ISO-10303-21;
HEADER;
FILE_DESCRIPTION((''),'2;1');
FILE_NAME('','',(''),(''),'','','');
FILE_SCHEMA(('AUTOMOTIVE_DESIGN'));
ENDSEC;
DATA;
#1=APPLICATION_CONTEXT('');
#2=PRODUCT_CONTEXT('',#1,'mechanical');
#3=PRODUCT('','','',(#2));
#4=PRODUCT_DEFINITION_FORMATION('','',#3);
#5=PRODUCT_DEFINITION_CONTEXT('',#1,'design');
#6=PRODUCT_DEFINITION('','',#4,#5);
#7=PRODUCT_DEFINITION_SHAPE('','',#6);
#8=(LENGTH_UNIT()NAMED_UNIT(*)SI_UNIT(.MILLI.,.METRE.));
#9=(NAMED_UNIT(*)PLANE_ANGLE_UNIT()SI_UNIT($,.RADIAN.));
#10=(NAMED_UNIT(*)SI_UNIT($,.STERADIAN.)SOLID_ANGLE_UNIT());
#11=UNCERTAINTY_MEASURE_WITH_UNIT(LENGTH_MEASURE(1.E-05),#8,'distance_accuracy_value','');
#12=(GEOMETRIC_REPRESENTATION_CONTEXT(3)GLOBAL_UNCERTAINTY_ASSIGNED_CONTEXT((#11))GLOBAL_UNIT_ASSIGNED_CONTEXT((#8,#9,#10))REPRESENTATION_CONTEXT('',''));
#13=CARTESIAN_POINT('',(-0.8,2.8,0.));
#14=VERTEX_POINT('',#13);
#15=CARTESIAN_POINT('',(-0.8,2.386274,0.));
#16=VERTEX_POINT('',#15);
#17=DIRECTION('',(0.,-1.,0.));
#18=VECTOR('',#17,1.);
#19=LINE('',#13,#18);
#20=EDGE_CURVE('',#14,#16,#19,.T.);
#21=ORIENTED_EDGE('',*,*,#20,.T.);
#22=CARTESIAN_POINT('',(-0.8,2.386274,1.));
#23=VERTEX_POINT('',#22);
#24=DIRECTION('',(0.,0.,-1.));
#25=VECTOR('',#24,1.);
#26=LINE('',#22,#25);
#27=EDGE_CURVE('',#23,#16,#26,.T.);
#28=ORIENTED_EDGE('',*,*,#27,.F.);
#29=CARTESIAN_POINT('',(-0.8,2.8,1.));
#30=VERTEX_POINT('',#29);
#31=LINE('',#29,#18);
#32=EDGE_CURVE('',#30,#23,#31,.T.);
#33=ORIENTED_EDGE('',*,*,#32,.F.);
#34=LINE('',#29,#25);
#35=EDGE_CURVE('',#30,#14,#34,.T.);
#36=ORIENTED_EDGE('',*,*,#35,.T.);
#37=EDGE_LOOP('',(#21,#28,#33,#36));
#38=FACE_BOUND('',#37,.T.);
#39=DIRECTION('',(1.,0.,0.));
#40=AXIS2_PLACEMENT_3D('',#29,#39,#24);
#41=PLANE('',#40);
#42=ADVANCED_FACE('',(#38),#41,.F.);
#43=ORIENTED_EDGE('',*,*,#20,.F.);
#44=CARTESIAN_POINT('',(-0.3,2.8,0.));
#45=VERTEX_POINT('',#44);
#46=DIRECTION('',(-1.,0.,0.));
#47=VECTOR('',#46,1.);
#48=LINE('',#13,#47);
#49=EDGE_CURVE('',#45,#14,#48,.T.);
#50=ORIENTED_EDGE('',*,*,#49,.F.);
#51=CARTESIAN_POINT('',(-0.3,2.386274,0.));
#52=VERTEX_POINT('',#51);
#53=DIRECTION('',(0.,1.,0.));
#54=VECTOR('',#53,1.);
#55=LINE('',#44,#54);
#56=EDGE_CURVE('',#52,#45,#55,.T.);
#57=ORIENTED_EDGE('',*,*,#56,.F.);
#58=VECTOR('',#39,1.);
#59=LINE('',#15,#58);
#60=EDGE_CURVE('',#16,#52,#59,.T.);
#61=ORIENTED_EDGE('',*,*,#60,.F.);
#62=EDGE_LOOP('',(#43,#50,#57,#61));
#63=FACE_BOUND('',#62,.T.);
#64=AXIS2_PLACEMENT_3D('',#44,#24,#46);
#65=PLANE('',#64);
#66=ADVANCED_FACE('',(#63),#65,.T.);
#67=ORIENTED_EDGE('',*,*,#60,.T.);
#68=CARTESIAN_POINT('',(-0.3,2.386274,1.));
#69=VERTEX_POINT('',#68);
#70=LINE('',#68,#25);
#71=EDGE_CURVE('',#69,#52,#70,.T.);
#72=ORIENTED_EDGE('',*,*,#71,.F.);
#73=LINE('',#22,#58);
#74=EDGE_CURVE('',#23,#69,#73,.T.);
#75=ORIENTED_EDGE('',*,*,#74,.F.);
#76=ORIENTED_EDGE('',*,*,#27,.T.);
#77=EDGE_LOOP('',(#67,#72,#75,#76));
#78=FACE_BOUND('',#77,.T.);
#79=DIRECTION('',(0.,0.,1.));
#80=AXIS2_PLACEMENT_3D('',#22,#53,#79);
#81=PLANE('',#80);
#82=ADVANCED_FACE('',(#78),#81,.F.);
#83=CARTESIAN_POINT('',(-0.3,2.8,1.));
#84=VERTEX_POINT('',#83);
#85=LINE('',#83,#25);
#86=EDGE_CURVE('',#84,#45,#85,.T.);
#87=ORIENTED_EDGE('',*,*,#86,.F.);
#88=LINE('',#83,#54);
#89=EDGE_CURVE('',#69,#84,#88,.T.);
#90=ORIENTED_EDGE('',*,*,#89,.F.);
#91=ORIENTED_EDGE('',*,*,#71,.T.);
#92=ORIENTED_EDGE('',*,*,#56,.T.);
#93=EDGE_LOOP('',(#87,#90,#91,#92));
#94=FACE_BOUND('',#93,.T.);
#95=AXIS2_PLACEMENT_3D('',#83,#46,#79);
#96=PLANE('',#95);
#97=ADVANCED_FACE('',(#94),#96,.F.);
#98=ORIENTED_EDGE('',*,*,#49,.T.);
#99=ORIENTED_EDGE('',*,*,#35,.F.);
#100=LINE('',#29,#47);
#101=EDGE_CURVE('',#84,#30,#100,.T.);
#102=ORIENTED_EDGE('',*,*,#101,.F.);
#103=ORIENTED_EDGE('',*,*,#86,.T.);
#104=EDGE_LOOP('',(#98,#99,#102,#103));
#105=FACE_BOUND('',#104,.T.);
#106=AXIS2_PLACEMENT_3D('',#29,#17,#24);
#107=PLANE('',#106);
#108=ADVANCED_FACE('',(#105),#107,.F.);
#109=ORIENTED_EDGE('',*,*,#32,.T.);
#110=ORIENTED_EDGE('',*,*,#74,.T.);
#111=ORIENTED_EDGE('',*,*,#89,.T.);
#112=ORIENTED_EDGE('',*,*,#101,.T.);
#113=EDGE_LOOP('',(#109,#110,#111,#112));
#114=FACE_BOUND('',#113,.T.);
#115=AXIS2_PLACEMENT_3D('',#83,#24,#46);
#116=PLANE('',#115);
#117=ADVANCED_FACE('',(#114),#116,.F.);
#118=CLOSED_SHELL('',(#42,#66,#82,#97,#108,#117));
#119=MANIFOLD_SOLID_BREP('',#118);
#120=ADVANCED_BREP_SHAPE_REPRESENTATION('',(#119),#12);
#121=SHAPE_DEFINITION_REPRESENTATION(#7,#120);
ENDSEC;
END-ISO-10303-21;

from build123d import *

# Parameters (mm, degrees)
ESQUISSE1_W        = 0.5
ESQUISSE1_H        = 0.413726181
BOSS_EXTRU_1_DEPTH = 1


with BuildPart() as part:
    # Esquisse1 → Boss.-Extru.1 (new body)
    with BuildSketch(Plane.XY):
        with Locations((-0.55, 2.59313691)):
            Rectangle(ESQUISSE1_W, ESQUISSE1_H)
    extrude(amount=BOSS_EXTRU_1_DEPTH)


solid = part.part
